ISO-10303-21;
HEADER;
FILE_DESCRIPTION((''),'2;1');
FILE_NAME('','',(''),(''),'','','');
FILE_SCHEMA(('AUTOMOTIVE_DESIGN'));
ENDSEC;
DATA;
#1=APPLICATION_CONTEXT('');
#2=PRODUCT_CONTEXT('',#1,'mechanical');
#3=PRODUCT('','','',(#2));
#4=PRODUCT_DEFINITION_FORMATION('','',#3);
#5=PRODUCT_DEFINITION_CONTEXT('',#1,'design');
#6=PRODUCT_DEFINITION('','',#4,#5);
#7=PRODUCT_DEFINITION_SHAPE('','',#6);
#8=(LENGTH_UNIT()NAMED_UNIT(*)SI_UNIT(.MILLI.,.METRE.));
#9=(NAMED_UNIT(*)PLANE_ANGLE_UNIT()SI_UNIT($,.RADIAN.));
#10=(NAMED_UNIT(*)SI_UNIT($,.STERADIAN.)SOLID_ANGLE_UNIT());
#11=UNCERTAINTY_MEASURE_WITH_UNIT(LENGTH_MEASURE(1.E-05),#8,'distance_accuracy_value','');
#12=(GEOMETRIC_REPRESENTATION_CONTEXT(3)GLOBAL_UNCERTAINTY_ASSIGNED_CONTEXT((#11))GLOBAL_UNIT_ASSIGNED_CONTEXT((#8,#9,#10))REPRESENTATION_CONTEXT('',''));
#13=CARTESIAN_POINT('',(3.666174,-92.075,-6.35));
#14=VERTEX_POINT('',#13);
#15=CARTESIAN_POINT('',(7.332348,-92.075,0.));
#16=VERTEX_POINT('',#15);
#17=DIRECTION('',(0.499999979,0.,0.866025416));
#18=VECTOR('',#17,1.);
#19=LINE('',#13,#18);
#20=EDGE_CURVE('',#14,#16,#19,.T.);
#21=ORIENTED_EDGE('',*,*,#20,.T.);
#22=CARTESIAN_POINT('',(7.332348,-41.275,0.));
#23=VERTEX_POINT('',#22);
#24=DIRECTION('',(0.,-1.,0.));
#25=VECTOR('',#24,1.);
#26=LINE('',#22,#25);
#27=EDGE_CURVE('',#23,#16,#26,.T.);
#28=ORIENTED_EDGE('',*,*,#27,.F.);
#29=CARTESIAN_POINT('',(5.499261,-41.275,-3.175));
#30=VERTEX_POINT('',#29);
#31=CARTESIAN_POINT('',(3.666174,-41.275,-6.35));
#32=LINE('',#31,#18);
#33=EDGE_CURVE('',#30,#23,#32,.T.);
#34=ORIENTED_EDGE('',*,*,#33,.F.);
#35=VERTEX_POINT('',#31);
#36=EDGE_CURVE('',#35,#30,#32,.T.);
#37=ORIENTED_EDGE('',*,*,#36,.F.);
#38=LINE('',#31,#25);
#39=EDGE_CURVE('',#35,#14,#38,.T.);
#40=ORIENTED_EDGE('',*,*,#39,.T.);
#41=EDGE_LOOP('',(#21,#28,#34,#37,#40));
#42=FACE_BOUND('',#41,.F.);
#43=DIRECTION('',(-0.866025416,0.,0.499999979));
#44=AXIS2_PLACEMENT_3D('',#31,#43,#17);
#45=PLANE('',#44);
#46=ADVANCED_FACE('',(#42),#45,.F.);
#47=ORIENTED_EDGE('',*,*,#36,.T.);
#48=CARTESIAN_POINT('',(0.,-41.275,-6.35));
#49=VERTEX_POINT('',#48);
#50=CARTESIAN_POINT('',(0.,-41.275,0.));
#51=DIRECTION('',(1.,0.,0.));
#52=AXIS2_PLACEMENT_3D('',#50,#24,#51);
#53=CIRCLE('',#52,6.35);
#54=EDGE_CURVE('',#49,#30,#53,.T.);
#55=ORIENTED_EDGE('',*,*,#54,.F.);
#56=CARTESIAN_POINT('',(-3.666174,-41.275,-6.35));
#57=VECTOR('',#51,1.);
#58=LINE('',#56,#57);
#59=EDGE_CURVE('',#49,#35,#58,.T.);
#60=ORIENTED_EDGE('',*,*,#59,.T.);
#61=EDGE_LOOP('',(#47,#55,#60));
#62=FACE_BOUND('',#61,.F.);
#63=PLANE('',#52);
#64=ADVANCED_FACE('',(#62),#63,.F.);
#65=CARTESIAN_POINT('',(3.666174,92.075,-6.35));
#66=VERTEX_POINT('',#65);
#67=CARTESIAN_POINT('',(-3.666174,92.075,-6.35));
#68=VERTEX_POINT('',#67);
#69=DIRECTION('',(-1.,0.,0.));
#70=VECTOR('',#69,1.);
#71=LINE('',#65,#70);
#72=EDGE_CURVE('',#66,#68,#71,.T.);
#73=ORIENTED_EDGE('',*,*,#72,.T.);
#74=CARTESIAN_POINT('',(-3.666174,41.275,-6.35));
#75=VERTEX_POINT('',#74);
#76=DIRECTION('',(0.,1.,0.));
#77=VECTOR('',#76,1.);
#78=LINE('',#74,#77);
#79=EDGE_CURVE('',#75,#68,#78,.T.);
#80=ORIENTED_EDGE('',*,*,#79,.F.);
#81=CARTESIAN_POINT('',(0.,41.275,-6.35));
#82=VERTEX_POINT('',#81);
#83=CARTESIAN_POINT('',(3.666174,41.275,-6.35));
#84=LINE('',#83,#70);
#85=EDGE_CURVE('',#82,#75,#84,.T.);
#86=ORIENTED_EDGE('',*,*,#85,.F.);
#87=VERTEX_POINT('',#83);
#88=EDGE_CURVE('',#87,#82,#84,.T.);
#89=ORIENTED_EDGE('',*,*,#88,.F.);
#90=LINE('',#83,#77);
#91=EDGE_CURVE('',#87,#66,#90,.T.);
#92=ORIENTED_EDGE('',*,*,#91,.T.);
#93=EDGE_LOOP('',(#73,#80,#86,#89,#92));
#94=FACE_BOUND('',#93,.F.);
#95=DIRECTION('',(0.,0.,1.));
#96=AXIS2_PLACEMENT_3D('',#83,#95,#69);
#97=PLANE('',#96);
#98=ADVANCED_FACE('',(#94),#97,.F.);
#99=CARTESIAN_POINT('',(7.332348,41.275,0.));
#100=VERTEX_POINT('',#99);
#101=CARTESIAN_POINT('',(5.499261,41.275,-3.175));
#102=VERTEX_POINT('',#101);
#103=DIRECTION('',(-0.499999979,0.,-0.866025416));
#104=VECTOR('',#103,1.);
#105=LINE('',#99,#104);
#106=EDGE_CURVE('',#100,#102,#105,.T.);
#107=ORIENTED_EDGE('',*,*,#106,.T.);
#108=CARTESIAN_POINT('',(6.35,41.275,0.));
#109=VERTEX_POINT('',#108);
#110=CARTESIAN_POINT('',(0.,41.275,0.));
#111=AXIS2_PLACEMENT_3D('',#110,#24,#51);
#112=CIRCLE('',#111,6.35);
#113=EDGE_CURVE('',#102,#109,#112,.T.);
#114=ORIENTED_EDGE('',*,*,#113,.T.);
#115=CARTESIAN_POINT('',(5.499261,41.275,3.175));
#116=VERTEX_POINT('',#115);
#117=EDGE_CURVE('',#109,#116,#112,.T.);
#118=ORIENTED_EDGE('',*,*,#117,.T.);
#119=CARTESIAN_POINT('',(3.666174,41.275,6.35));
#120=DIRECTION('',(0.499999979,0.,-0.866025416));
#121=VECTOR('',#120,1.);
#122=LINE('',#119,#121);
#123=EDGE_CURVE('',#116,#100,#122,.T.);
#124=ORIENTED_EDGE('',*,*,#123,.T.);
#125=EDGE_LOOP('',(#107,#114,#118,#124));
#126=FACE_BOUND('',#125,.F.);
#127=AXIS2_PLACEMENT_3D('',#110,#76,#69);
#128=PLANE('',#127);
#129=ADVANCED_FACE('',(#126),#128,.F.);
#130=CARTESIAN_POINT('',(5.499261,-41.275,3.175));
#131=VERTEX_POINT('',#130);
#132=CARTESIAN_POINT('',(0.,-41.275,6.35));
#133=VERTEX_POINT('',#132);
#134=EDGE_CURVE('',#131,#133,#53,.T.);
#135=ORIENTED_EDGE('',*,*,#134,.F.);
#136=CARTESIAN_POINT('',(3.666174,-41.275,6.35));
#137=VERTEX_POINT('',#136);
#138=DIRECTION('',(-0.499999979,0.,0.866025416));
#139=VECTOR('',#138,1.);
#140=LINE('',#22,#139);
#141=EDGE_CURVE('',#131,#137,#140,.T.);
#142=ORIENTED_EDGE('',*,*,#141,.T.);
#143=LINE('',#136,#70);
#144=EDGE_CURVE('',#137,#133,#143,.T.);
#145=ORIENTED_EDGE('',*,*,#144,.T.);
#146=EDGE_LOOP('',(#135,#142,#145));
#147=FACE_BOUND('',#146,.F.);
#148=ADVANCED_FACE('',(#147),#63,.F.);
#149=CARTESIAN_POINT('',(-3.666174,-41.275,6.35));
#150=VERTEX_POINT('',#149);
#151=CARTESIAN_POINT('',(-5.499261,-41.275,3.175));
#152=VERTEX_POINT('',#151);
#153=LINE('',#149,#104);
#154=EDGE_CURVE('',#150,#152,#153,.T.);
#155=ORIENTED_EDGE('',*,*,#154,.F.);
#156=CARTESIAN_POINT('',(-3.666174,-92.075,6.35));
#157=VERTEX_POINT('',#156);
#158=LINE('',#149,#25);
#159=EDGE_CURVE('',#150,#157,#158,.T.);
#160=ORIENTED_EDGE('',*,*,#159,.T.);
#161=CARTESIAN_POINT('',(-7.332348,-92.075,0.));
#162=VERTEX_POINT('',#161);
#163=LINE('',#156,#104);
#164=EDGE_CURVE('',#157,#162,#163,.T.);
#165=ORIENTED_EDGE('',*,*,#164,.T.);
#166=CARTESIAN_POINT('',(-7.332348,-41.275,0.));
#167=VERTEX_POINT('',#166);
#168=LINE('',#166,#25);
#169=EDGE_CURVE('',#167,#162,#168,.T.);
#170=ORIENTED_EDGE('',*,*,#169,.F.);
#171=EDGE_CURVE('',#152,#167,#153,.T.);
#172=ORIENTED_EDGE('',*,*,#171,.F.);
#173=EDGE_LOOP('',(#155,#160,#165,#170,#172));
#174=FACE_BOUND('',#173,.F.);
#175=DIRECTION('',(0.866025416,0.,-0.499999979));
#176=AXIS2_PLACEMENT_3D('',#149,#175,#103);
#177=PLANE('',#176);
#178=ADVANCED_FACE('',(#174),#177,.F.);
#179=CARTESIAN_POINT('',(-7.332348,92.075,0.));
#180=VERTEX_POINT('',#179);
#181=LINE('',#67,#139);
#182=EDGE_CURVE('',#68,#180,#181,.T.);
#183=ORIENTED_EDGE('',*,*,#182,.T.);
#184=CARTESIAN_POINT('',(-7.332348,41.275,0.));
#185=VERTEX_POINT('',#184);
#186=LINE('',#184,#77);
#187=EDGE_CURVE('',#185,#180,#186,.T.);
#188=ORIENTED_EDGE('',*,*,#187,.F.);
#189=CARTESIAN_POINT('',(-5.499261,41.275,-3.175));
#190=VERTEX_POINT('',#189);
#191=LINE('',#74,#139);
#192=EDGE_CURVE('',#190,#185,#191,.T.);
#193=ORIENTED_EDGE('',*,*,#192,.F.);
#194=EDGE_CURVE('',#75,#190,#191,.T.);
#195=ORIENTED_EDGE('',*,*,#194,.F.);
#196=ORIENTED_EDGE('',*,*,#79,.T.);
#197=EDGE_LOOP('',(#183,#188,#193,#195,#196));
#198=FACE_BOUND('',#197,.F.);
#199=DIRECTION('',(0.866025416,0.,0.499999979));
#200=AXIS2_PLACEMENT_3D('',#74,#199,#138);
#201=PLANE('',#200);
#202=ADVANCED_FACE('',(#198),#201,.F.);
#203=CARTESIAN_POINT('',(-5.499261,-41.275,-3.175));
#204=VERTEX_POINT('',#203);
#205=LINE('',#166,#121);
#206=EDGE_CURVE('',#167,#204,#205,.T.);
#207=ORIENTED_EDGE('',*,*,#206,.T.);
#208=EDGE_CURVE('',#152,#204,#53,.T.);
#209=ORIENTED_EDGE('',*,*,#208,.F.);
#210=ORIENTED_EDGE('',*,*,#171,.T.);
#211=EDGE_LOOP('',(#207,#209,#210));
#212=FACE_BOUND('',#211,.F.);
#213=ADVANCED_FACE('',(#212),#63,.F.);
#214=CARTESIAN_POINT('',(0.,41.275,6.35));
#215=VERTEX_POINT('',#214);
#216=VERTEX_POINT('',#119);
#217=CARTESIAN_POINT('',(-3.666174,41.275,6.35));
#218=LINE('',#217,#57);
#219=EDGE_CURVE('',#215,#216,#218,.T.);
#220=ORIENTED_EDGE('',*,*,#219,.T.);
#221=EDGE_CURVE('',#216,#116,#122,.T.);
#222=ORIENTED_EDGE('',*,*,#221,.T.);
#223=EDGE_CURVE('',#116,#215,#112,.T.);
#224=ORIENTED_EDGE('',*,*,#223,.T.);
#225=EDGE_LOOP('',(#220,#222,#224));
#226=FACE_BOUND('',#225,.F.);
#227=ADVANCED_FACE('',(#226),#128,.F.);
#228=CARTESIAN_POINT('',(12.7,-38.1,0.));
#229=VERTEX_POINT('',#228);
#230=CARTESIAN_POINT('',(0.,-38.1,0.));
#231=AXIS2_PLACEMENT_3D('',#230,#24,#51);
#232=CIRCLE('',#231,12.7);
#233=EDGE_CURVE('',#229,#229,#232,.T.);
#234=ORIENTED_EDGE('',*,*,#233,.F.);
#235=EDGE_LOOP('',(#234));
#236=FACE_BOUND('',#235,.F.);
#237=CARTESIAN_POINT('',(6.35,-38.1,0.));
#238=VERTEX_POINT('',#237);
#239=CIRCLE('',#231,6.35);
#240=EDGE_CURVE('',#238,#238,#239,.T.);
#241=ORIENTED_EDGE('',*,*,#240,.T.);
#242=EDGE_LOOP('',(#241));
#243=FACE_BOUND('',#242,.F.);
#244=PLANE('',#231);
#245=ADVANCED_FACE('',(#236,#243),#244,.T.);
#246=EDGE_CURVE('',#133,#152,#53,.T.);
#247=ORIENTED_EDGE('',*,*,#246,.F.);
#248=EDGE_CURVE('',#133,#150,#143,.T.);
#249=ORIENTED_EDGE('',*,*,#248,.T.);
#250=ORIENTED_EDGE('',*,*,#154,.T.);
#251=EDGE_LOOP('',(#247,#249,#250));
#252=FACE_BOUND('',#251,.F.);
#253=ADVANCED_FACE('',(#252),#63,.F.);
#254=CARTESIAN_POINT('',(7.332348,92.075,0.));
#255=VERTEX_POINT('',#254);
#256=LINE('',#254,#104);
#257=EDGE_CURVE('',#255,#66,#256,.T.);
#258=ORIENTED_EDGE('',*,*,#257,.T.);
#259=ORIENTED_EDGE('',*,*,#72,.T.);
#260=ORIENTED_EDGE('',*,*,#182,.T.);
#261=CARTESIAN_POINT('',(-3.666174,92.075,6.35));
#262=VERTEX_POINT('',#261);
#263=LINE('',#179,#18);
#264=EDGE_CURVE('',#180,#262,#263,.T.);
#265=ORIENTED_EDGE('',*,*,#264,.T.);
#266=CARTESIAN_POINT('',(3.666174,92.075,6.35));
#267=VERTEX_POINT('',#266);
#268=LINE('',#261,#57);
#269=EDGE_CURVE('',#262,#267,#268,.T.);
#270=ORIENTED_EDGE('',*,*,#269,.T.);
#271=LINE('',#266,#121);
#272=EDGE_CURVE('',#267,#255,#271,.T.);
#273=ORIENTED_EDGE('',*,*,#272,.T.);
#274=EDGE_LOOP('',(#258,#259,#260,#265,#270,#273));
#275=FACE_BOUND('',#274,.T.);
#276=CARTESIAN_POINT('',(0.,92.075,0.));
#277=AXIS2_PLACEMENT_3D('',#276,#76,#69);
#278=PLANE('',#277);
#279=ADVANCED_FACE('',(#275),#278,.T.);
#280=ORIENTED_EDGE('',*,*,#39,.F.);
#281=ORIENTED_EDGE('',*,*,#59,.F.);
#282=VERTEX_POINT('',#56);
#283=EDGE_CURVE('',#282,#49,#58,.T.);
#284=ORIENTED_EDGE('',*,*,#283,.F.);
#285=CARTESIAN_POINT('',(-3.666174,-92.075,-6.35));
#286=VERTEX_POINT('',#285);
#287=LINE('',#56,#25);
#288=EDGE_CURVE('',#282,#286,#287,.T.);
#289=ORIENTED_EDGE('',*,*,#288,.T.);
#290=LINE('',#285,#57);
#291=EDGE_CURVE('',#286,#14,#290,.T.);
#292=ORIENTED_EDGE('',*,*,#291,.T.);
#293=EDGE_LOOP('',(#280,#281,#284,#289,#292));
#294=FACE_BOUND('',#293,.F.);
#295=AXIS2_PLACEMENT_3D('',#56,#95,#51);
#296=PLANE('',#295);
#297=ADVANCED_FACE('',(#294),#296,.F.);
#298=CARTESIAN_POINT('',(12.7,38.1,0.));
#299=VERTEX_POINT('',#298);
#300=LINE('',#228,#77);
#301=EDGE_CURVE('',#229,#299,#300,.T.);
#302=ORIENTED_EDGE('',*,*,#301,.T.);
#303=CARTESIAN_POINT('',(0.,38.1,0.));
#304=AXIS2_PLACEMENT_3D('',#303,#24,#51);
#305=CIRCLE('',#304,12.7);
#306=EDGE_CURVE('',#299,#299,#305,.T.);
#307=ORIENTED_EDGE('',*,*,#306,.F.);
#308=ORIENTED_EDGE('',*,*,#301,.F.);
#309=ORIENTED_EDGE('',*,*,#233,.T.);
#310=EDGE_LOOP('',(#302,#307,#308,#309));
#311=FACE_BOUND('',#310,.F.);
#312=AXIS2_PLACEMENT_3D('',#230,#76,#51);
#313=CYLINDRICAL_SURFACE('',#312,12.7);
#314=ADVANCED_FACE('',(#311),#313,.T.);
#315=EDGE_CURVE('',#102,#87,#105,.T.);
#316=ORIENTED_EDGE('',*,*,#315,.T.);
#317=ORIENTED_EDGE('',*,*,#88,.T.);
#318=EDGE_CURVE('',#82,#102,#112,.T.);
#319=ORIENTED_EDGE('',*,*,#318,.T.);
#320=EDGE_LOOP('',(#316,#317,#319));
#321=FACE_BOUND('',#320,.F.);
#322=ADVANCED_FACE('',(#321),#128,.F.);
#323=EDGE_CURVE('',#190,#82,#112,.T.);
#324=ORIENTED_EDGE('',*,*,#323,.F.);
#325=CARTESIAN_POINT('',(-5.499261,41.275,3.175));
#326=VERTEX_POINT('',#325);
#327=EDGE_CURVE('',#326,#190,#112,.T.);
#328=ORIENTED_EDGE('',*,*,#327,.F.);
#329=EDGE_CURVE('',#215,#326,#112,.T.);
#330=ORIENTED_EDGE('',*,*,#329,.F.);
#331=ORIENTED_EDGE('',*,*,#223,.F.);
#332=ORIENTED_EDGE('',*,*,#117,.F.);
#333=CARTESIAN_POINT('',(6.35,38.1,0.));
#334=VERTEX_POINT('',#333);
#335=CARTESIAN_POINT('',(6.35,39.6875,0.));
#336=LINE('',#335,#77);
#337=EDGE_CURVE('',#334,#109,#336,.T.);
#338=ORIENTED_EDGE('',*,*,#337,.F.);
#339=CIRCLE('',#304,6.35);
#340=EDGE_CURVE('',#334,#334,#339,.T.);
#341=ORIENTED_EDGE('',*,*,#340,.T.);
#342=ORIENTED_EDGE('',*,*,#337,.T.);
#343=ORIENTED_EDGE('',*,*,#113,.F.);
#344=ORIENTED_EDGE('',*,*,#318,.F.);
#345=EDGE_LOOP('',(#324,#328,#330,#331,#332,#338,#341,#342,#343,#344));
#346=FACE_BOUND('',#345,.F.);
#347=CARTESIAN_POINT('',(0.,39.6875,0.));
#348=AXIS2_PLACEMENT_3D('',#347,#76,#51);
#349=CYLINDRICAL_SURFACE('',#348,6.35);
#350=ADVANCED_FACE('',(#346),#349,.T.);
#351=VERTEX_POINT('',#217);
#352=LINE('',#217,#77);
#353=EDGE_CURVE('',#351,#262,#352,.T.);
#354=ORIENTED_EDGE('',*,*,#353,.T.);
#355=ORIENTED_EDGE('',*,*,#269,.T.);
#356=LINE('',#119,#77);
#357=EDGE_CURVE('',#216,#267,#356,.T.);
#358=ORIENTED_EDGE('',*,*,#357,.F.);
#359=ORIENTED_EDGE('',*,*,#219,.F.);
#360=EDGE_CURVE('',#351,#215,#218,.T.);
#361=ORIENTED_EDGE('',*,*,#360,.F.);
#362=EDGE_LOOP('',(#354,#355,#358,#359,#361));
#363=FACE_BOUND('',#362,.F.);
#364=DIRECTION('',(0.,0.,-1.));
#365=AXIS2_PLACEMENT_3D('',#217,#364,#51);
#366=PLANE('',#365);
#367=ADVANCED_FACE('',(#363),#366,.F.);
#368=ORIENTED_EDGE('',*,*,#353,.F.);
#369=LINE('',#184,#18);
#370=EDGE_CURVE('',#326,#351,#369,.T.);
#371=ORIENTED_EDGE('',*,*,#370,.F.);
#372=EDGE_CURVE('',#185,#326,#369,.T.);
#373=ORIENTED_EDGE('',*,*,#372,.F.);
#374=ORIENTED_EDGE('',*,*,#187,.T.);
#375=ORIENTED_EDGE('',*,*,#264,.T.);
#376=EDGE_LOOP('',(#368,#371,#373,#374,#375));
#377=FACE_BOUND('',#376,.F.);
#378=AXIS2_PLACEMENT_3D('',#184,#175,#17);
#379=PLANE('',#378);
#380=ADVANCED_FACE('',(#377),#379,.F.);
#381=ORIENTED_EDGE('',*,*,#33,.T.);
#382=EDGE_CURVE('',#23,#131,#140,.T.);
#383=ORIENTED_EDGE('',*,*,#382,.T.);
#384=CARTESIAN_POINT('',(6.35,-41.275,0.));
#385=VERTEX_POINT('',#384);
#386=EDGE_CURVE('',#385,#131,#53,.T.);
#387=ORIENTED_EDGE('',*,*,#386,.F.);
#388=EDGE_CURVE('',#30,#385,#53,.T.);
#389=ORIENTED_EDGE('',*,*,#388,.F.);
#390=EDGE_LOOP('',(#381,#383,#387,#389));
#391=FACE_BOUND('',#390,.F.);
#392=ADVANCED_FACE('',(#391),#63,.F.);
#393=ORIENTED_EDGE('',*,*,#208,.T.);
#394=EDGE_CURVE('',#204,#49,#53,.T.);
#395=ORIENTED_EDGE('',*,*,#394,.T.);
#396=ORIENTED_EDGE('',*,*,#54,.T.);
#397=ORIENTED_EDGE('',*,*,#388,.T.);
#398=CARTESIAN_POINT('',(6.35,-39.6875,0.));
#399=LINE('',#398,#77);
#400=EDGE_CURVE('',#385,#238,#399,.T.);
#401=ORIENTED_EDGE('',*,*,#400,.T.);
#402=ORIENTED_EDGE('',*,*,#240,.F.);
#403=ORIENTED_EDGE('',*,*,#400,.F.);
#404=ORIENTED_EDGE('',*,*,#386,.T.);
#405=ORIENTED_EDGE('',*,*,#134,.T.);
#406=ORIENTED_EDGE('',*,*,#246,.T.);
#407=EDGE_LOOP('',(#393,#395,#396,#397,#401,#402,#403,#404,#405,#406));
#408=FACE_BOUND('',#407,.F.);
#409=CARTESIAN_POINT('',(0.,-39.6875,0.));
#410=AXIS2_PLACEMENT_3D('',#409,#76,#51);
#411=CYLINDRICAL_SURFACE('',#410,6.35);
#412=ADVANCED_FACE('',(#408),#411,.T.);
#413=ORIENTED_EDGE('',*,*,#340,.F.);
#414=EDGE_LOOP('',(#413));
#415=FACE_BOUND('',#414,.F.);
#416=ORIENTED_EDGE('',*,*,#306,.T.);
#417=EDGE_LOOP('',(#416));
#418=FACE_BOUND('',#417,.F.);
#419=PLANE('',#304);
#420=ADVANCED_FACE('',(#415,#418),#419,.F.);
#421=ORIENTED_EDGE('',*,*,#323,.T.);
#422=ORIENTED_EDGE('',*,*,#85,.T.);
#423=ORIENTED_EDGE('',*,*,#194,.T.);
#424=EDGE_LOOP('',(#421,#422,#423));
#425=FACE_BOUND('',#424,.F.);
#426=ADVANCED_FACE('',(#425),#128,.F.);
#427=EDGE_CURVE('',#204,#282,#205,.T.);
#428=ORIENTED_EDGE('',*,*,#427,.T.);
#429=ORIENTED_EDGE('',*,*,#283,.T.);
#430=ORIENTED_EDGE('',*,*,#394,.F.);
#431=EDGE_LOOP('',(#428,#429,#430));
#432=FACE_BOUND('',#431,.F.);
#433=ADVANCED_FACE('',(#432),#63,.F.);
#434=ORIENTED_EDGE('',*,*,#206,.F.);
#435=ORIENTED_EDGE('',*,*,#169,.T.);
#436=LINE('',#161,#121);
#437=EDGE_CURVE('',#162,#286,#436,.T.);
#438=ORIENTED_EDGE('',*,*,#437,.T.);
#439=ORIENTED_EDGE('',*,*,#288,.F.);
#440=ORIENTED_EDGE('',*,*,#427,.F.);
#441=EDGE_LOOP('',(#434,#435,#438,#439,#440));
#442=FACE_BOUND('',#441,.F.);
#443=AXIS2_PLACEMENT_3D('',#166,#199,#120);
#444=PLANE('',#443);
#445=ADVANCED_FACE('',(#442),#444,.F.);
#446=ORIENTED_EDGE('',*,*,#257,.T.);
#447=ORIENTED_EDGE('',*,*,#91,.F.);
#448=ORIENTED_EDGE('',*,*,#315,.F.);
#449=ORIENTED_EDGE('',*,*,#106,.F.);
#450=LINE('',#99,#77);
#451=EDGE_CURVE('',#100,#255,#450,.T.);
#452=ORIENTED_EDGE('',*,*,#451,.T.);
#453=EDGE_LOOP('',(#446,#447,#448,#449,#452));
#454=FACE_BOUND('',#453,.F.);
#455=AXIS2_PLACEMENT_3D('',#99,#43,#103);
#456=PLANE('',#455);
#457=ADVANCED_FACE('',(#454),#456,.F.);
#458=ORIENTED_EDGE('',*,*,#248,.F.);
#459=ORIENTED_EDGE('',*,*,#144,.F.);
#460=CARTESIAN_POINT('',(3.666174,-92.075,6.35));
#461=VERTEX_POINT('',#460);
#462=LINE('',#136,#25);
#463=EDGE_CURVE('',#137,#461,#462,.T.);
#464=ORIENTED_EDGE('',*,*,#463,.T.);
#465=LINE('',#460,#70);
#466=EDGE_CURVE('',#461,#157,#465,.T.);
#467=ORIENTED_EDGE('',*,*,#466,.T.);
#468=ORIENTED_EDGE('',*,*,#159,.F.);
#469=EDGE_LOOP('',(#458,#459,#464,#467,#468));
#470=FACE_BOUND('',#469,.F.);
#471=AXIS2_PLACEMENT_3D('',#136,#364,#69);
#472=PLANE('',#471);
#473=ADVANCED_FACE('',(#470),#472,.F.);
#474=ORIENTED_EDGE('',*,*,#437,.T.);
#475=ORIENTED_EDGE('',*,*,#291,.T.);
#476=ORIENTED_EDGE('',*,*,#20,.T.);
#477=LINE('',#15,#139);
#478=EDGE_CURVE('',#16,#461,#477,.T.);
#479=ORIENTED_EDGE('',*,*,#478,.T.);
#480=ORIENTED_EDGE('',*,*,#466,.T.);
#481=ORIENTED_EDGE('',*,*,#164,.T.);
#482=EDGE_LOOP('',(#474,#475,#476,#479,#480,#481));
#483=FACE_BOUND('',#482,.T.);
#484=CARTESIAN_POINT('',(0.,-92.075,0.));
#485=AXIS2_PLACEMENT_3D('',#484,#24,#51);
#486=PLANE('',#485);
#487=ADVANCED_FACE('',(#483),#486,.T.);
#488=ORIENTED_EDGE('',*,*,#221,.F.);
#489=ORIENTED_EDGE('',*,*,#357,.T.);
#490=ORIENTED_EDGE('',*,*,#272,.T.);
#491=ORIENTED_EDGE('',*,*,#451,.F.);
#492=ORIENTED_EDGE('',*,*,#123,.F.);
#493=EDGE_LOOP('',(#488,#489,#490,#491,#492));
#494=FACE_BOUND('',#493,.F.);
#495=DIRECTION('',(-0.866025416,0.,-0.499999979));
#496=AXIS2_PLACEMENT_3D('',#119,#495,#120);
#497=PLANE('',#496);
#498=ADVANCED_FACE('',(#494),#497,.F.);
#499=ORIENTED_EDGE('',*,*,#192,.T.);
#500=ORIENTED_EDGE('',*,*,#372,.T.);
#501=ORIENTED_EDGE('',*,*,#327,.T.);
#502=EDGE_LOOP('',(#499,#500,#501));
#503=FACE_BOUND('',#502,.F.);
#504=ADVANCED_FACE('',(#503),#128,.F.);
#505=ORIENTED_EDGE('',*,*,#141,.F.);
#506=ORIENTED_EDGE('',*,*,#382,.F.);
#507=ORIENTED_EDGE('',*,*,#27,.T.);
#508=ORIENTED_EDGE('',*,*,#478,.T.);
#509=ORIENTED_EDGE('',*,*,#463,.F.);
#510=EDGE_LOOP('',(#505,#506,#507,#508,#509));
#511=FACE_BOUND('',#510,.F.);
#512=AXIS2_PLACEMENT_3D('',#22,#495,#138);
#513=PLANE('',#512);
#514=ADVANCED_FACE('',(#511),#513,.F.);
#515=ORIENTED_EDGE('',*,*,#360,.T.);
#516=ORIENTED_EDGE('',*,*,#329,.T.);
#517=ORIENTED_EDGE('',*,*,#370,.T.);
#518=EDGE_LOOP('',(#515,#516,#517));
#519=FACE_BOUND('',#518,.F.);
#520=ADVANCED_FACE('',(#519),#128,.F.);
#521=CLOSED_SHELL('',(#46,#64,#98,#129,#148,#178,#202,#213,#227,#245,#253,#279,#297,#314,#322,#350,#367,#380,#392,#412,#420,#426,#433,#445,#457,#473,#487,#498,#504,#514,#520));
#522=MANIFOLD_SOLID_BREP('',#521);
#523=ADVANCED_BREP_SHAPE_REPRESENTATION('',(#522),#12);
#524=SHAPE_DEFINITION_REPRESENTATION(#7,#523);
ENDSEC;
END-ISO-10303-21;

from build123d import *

# Parameters (mm, degrees)
F0_W     = 6.35
F0_H     = 3.175
F3_DEPTH = 50.8
F5_DEPTH = 50.8


with BuildPart() as f1:
    # F0 (on Top) → F1 (revolve)
    with BuildSketch(Plane.XY):
        with Locations((3.175, 39.6875)):
            Rectangle(F0_W, F0_H)
        Polygon((6.35, 38.1), (0, 38.1), (0, -38.1), (6.35, -38.1), (12.7, -38.1), (12.7, 38.1), align=None)
        with Locations((3.175, -39.6875)):
            Rectangle(F0_W, F0_H)
    revolve(axis=Axis((0, 0, 0), (0, -1, 0)))

    # F2 (on face) → F3 (join)
    with BuildSketch(Plane(origin=(0, 41.275, 0), x_dir=(-1, 0, 0), z_dir=(0, 1, 0))):
        Polygon((7.332348, 0), (3.666174, 6.35), (-3.666174, 6.35), (-7.332348, 0), (-3.666174, -6.35), (3.666174, -6.35), align=None)
    extrude(amount=F3_DEPTH)

    # F4 (on face) → F5 (join)
    with BuildSketch(Plane.XZ.offset(41.275)):
        Polygon((7.332348, 0), (3.666174, 6.35), (-3.666174, 6.35), (-7.332348, 0), (-3.666174, -6.35), (3.666174, -6.35), align=None)
    extrude(amount=F5_DEPTH)


solid = f1.part
